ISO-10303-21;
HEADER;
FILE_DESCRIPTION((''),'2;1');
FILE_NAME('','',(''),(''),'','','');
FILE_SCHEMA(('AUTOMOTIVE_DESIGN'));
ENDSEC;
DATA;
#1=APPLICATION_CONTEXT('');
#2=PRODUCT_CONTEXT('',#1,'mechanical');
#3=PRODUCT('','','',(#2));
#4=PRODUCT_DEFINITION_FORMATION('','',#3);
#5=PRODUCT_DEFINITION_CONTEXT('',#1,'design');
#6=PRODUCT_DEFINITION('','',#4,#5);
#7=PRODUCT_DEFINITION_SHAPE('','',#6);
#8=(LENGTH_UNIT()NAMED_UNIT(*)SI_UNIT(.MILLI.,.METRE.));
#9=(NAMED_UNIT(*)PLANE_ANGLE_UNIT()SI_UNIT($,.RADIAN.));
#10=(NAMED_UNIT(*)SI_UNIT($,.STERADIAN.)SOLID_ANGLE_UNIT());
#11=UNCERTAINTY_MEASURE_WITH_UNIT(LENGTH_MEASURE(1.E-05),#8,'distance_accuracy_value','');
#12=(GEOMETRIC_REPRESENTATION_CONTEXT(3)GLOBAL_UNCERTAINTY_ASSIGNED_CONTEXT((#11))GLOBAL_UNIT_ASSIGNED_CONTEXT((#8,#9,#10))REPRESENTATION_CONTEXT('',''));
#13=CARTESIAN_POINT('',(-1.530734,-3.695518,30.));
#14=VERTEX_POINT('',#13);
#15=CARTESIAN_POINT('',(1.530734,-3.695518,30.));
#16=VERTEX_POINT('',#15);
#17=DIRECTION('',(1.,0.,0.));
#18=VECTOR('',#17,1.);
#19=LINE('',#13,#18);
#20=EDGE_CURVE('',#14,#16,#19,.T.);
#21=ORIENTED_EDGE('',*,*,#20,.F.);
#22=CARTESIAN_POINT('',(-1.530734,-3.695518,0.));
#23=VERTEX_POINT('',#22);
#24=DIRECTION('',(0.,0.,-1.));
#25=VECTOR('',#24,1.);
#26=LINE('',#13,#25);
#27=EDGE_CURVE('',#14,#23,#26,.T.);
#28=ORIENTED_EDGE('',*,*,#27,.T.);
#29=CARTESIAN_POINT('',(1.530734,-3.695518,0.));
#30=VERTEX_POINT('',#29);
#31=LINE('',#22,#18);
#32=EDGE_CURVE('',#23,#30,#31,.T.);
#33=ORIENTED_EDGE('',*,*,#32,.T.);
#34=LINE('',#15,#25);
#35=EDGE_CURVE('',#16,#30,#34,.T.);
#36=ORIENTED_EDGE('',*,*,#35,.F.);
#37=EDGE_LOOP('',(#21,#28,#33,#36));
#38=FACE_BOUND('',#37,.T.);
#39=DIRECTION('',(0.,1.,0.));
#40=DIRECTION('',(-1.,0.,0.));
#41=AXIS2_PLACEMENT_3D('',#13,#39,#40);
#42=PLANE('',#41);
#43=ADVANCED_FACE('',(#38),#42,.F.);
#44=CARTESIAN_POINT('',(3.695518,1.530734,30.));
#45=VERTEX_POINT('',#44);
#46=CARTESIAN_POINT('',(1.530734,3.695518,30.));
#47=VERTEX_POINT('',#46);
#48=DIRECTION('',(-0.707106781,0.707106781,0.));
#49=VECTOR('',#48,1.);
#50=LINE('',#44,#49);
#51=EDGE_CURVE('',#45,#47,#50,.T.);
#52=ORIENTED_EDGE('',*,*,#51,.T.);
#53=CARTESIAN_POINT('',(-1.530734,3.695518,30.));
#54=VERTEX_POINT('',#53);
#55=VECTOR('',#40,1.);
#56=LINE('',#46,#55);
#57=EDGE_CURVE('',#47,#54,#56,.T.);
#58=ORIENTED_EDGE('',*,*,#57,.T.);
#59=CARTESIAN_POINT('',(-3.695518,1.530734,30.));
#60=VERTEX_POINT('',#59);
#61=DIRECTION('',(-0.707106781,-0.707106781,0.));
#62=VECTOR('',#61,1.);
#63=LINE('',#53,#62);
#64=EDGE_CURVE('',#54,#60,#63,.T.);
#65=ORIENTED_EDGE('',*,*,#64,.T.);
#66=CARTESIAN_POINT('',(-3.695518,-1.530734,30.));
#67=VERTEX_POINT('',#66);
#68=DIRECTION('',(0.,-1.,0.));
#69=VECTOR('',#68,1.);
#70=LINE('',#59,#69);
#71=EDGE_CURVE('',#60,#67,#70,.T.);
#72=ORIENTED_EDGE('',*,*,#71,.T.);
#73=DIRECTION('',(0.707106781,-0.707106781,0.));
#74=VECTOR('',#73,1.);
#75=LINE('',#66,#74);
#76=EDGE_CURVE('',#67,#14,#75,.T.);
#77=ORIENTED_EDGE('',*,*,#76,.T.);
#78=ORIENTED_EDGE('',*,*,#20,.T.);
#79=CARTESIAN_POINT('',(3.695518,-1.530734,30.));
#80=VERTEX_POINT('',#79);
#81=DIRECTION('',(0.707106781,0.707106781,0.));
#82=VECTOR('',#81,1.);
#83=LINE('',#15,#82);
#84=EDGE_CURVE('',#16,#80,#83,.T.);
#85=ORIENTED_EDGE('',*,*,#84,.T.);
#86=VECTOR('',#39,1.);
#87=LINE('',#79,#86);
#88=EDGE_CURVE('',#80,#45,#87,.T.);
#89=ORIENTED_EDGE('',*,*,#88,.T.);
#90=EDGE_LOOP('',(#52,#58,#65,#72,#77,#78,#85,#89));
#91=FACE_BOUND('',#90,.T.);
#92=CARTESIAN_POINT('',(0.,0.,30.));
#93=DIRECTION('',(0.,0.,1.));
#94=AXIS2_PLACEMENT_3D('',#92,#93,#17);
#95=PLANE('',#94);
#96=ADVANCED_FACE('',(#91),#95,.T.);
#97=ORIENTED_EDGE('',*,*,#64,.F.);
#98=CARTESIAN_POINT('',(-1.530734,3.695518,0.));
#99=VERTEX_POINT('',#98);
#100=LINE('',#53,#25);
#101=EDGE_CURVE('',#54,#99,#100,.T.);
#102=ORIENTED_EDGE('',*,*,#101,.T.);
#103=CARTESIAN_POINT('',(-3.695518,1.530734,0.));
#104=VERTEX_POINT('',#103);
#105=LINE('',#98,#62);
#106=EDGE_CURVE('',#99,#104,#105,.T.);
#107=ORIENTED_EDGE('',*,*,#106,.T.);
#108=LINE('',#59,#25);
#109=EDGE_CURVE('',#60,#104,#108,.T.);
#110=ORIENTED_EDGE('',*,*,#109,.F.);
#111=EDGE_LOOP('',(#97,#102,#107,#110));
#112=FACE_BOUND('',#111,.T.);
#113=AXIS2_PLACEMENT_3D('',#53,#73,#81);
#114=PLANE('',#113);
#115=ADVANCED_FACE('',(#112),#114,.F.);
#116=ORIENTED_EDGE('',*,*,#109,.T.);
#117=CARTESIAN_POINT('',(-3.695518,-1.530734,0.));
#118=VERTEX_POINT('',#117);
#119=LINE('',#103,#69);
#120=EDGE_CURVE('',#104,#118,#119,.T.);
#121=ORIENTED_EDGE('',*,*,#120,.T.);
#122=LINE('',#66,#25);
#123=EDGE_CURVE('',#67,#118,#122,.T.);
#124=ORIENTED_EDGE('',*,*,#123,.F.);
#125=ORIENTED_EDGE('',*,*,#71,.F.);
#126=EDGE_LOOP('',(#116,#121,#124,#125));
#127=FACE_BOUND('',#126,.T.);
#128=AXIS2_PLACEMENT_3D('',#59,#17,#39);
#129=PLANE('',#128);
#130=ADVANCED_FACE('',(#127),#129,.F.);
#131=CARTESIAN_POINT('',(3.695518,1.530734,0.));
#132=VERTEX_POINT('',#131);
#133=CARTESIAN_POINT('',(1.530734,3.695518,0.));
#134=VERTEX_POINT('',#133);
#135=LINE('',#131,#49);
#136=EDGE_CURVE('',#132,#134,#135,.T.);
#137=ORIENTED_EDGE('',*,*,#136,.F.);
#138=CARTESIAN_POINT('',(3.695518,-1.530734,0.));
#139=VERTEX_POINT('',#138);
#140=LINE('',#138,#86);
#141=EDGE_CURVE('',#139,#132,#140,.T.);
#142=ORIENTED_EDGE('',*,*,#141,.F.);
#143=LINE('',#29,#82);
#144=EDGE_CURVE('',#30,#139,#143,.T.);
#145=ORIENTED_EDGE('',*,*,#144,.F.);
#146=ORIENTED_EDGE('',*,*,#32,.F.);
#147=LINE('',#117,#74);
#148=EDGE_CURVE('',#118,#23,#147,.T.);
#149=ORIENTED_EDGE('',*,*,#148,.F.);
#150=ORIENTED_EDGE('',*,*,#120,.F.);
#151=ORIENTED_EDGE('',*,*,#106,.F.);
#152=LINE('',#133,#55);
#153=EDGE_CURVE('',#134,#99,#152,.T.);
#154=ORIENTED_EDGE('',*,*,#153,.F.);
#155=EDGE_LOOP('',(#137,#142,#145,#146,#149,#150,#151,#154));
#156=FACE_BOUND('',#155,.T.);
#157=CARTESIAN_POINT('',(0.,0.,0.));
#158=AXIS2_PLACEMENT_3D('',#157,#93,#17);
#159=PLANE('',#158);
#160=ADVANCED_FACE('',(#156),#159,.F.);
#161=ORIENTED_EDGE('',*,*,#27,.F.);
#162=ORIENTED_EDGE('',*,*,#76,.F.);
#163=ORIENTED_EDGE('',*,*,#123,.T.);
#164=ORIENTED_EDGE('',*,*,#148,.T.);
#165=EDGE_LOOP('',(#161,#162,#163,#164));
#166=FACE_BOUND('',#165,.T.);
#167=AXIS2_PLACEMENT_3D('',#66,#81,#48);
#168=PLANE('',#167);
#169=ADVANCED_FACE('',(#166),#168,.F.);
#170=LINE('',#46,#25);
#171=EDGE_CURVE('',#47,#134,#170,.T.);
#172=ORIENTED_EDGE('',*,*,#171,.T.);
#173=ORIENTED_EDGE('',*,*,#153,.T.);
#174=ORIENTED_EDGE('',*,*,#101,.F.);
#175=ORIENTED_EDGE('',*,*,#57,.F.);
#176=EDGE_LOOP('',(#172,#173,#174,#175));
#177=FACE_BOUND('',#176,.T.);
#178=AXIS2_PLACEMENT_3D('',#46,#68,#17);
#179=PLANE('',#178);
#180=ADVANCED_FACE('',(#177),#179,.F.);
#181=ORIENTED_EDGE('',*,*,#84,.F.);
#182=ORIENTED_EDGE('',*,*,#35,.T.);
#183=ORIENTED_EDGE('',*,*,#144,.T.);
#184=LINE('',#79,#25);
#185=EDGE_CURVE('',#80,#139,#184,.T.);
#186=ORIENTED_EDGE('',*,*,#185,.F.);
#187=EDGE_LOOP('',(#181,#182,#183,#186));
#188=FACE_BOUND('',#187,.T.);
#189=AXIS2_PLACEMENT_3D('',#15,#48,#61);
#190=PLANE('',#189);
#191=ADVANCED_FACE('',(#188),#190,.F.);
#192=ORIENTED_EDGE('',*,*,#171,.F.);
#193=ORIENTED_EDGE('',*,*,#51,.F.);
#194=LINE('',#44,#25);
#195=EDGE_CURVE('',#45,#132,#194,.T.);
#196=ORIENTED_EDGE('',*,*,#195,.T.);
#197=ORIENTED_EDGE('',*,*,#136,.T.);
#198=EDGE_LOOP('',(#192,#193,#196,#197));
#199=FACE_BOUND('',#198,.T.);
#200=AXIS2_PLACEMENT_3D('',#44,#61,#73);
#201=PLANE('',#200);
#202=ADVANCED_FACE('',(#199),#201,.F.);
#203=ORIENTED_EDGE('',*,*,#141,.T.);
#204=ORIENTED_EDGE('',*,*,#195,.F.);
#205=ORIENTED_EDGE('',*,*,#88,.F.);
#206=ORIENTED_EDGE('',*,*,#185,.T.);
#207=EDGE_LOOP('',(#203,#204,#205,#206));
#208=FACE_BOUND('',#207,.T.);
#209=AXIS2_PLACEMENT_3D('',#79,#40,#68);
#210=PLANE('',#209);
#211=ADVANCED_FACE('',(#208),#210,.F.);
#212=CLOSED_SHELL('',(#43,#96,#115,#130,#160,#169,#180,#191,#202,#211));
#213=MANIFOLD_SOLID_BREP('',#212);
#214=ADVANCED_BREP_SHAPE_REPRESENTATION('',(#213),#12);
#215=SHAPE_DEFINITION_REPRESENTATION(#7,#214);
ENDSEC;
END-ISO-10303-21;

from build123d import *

# Parameters (mm, degrees)
BOSS_EXTRUDE1_DEPTH = 30


with BuildPart() as part:
    # Sketch2 → Boss-Extrude1 (new body)
    with BuildSketch(Plane.XY):
        Polygon((1.530733729, 3.69551813), (-1.530733729, 3.69551813), (-3.69551813, 1.530733729), (-3.69551813, -1.530733729), (-1.530733729, -3.69551813), (1.530733729, -3.69551813), (3.69551813, -1.530733729), (3.69551813, 1.530733729), align=None)
    extrude(amount=BOSS_EXTRUDE1_DEPTH)


solid = part.part
